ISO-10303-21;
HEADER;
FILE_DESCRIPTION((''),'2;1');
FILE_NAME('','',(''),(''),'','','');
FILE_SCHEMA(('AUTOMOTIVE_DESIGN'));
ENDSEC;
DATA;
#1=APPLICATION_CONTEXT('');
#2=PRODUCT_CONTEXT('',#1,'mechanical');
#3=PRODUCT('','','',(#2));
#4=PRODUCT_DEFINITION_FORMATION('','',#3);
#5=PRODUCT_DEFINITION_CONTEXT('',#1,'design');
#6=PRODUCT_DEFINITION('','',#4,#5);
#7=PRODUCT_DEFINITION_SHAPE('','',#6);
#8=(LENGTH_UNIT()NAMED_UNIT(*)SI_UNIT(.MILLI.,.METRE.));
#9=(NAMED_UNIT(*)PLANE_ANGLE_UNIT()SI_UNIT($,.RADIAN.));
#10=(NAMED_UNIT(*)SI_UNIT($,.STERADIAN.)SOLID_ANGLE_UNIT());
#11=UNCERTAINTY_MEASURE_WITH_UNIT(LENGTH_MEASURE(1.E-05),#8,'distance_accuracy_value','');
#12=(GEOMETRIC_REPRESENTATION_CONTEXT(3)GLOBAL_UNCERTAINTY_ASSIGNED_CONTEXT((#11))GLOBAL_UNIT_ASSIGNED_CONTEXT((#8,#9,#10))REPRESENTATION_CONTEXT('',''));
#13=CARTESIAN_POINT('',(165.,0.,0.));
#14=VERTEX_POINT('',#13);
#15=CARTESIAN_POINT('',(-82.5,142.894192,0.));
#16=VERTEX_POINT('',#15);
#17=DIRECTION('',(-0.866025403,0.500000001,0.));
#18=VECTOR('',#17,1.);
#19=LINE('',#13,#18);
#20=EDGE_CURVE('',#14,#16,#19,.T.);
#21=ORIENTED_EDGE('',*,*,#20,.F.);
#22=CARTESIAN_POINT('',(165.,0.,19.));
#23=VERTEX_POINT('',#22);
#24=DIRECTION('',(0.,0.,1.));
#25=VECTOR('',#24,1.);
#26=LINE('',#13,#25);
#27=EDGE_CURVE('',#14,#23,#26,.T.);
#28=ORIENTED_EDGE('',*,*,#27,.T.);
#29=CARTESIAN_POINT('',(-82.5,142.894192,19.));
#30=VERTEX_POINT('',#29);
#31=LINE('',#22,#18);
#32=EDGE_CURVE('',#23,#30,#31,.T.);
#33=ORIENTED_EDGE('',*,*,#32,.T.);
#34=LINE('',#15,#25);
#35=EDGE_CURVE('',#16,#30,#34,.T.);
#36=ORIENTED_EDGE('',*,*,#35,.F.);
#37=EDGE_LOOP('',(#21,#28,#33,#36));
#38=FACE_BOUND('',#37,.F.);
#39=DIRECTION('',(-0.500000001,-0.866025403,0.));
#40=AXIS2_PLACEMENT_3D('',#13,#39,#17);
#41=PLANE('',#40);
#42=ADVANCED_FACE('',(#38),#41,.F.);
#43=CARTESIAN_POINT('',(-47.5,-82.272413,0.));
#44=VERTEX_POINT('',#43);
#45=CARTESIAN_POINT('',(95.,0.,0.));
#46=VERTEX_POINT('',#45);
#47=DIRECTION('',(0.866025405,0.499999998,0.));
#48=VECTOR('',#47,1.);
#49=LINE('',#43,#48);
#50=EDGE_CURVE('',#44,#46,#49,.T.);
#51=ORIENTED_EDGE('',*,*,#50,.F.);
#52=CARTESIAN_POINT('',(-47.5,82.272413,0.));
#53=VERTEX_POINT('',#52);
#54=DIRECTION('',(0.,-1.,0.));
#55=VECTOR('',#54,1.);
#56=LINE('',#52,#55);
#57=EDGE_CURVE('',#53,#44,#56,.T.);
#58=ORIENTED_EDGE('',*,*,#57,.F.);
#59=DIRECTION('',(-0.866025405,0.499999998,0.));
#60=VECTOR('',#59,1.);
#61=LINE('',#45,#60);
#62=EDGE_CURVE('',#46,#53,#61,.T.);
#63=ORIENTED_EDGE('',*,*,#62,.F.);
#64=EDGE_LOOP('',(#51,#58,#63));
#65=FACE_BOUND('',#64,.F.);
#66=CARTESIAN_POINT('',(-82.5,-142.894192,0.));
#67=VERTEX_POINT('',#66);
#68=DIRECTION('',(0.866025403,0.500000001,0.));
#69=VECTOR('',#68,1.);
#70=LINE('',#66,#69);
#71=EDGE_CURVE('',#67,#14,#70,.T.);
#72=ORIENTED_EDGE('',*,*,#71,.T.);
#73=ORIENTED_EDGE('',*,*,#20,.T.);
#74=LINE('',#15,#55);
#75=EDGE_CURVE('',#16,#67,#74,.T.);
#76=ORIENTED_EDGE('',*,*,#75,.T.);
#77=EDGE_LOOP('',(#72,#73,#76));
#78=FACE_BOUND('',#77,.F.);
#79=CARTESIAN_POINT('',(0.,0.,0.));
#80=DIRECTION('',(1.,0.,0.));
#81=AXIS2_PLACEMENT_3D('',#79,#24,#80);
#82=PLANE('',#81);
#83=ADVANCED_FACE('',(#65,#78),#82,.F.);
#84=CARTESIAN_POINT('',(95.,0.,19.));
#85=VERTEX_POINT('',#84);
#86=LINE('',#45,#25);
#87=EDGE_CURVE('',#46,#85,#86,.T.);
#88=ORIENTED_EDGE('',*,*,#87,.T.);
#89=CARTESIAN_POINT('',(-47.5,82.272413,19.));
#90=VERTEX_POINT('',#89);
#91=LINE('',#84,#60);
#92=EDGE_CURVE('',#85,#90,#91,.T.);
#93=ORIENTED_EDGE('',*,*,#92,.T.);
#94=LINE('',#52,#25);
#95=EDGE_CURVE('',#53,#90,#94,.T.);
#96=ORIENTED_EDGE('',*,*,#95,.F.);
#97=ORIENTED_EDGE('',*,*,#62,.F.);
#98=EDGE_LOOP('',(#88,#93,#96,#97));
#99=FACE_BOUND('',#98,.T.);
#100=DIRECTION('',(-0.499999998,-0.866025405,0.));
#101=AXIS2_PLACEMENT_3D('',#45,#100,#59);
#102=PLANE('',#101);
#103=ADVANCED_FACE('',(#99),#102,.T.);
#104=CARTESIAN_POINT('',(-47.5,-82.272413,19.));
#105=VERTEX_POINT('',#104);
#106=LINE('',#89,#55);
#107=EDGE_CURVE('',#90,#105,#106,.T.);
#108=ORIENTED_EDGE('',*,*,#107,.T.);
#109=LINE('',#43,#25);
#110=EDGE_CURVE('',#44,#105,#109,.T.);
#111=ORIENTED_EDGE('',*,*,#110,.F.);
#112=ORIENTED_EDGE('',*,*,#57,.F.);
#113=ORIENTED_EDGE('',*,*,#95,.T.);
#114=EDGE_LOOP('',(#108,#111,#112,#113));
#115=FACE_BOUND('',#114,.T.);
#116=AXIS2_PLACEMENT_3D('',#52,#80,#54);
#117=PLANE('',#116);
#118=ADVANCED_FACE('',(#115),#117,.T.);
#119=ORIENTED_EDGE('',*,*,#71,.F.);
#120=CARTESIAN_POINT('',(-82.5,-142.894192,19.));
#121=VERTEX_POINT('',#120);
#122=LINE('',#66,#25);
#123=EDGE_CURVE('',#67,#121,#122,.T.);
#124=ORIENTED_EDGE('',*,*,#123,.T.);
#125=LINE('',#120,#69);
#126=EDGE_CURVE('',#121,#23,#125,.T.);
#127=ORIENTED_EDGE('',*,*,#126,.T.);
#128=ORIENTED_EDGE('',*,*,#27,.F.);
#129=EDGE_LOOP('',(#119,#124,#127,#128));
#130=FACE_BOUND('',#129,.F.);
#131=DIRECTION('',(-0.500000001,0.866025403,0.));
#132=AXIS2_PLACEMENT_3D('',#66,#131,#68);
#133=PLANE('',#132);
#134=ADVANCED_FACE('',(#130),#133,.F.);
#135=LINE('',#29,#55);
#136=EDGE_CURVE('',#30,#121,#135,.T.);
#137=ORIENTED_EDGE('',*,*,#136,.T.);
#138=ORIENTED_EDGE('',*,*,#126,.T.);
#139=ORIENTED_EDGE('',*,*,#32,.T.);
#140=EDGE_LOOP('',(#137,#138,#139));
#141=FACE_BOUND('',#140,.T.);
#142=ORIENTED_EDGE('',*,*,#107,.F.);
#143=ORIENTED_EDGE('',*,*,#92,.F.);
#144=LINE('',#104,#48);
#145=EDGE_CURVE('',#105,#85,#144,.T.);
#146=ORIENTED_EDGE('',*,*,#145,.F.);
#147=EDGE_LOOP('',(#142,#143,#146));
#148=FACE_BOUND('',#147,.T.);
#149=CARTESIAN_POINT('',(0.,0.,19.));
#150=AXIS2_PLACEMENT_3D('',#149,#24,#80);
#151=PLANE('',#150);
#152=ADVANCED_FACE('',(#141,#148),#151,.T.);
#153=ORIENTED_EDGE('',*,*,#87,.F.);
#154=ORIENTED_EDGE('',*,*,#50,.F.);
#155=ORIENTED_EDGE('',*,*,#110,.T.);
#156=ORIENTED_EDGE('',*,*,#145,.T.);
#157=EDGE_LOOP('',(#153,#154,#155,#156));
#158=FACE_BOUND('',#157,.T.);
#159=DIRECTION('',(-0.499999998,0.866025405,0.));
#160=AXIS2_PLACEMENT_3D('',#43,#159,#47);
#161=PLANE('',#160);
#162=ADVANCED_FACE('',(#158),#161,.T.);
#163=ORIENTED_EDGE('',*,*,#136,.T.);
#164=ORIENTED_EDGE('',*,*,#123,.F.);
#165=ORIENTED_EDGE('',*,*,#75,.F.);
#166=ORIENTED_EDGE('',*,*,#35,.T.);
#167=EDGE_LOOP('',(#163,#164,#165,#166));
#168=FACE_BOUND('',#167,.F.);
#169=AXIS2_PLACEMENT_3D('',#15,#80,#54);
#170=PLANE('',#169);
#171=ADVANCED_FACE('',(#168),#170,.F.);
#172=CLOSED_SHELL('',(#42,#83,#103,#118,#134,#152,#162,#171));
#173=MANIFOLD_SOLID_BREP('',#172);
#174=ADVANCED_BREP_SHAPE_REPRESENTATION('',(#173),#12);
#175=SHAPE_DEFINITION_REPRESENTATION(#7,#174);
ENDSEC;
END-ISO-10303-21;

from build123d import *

# Parameters (mm, degrees)
PRISM001_DEPTH = 19
PRISM_DEPTH    = 19


with BuildPart() as prism001:
    # Prism001 → Prism001 (new body)
    with BuildSketch(Plane.XY):
        Polygon((95, 0), (-47.5, 82.272413), (-47.5, -82.272413), align=None)
    extrude(amount=PRISM001_DEPTH)


with BuildPart() as cut:
    # Prism → Prism (new body)
    with BuildSketch(Plane.XY):
        Polygon((165, 0), (-82.5, 142.894192), (-82.5, -142.894192), align=None)
    extrude(amount=PRISM_DEPTH)

    # Cut: cut Prism001
    add(prism001.part, mode=Mode.SUBTRACT)


solid = cut.part
